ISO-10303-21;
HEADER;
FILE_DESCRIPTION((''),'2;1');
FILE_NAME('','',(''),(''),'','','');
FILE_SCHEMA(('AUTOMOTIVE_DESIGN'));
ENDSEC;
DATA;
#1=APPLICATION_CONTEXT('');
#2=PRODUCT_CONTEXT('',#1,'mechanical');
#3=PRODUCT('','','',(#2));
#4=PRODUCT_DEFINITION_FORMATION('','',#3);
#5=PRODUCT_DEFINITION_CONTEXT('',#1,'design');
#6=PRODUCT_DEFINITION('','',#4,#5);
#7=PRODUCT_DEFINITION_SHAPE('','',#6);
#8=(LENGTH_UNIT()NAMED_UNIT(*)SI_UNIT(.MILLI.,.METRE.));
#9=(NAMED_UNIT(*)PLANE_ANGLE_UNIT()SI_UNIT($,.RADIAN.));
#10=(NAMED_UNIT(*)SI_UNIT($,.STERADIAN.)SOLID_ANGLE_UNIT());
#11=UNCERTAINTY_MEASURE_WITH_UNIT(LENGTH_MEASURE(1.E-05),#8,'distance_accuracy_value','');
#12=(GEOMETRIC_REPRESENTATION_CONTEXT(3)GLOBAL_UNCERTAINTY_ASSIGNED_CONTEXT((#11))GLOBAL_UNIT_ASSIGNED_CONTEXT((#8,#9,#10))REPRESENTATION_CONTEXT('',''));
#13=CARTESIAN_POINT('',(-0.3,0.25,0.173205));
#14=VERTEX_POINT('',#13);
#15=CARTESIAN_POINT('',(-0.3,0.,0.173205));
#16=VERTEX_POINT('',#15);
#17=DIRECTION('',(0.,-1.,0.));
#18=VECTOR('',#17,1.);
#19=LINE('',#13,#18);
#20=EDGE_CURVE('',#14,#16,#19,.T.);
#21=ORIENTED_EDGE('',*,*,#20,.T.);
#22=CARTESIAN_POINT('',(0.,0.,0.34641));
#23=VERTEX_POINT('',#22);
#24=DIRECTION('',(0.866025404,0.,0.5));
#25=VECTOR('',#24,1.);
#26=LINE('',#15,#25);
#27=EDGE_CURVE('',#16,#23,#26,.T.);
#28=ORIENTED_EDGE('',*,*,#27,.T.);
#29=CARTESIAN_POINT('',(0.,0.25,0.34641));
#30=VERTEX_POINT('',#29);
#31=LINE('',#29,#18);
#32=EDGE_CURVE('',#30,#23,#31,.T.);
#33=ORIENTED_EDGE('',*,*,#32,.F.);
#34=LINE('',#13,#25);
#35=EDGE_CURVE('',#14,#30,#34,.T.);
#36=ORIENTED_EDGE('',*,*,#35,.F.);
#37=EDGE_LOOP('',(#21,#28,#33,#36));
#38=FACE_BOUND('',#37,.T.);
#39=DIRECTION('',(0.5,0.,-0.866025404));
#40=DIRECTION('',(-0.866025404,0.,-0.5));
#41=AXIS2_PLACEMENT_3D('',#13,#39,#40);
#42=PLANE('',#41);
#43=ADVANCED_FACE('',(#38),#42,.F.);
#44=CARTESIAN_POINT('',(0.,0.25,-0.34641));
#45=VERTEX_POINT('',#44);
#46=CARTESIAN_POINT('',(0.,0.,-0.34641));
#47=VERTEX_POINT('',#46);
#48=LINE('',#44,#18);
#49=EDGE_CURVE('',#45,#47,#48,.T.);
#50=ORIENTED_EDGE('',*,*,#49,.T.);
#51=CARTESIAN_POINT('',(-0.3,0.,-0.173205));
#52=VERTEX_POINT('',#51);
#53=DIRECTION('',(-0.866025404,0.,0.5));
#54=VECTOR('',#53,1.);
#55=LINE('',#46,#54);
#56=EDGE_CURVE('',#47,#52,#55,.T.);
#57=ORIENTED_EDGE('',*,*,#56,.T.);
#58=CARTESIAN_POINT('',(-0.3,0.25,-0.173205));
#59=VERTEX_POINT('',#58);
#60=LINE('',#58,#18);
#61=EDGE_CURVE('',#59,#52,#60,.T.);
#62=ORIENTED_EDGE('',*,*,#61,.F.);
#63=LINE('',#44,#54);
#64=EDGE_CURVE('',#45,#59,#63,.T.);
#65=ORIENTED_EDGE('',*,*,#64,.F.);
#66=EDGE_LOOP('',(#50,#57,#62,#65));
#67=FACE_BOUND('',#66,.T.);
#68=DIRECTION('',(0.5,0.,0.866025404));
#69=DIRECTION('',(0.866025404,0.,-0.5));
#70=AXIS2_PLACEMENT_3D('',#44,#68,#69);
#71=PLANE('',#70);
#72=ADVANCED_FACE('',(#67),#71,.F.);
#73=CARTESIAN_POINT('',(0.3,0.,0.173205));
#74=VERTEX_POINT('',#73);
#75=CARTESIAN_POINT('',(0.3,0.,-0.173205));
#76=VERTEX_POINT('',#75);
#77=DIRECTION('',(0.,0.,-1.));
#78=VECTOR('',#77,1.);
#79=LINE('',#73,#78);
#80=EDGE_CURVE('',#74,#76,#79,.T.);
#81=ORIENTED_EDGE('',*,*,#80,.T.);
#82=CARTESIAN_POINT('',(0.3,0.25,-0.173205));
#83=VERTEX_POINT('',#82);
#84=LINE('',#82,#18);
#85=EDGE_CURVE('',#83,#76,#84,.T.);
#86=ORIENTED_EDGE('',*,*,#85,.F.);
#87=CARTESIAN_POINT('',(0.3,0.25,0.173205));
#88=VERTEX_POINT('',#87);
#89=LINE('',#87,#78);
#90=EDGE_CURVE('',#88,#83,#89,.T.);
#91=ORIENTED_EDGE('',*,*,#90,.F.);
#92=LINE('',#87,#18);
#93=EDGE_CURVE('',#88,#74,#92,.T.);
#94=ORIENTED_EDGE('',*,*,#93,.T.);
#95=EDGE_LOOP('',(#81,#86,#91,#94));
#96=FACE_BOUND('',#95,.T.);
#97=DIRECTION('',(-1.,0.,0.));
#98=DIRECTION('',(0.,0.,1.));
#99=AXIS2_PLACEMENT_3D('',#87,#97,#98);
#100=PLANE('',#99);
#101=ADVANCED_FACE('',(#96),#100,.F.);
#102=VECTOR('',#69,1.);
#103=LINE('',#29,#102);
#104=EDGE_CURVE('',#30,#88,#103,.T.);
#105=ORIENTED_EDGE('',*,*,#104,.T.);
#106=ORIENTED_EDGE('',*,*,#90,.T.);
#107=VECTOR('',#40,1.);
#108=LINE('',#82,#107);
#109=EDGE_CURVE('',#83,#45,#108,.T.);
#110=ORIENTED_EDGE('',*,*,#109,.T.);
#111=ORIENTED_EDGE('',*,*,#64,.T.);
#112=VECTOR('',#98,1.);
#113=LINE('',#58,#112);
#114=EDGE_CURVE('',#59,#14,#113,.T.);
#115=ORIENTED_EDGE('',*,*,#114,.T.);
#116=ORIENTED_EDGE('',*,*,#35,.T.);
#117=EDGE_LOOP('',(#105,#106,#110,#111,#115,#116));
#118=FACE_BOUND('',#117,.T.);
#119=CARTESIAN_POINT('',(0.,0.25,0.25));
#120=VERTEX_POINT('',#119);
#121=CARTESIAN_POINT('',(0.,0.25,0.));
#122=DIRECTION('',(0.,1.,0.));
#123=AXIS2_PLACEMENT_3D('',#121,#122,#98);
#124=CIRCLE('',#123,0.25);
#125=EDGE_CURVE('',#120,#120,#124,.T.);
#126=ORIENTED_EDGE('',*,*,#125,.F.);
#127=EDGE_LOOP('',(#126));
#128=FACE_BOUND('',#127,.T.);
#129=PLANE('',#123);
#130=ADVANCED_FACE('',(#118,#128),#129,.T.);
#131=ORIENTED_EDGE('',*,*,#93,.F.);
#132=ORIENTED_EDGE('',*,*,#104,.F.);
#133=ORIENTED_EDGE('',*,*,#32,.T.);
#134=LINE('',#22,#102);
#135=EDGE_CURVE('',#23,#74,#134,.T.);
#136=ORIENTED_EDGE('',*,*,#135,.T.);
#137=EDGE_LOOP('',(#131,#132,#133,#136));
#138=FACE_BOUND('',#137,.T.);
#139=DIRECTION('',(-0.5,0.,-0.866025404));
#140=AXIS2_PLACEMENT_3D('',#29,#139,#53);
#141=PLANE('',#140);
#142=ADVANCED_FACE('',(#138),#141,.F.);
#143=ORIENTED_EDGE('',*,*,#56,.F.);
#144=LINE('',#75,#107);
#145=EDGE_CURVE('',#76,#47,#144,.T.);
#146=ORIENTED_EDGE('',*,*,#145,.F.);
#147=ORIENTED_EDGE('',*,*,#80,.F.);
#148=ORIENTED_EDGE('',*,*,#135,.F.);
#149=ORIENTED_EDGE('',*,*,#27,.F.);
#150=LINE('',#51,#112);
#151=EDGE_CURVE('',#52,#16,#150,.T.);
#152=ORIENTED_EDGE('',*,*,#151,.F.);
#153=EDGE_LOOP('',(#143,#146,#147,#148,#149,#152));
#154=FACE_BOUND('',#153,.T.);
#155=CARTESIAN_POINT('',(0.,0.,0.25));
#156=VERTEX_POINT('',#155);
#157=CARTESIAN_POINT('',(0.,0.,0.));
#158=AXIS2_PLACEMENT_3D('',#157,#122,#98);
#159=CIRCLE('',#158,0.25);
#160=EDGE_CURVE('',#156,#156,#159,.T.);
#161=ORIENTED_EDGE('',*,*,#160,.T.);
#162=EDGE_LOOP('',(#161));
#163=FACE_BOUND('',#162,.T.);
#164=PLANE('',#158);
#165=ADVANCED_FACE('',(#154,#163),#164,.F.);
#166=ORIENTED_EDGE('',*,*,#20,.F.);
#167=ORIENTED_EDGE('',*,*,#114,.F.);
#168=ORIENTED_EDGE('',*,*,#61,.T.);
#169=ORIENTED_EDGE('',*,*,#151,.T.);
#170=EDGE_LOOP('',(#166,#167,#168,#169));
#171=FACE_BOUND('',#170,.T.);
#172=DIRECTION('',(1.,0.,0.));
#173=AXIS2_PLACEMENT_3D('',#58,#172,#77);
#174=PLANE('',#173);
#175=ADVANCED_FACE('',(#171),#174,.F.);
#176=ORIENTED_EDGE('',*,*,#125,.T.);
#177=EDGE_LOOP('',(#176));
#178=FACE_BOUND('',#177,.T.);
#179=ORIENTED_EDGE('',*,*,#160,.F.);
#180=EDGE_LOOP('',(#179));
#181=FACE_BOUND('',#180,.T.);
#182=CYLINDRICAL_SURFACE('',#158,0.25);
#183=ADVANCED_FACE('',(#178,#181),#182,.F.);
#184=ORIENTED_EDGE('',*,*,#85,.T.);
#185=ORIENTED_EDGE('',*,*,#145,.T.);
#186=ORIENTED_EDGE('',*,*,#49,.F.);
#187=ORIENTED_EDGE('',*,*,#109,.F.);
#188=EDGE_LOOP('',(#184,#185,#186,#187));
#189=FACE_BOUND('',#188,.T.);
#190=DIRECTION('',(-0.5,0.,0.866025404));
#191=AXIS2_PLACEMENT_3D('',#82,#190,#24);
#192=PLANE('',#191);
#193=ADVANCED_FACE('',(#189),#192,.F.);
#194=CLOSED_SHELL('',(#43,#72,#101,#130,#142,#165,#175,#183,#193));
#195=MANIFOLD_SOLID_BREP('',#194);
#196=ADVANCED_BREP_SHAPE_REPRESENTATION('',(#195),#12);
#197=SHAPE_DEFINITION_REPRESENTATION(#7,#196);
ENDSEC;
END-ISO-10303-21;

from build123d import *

# Parameters (mm, degrees)
BOSS_EXTRUDE1_DEPTH = 0.25
SKETCH2_R           = 0.25
CUT_EXTRUDE1_DEPTH  = 0.25


with BuildPart() as part:
    # Sketch1 → Boss-Extrude1 (new body)
    with BuildSketch(Plane(origin=(0, 0, 0), x_dir=(1, 0, 0), z_dir=(0, 1, 0))):
        Polygon((-0.3, 0.173205081), (-0.3, -0.173205081), (0, -0.346410162), (0.3, -0.173205081), (0.3, 0.173205081), (0, 0.346410162), align=None)
    extrude(amount=BOSS_EXTRUDE1_DEPTH)

    # Sketch2 → Cut-Extrude1 (cut)
    with BuildSketch(Plane(origin=(0, 0.25, 0), x_dir=(1, 0, 0), z_dir=(0, 1, 0))):
        with Locations(Location((0, 0, 0), (0, 0, 270))):
            Circle(SKETCH2_R)
    extrude(amount=-CUT_EXTRUDE1_DEPTH, mode=Mode.SUBTRACT)


solid = part.part
